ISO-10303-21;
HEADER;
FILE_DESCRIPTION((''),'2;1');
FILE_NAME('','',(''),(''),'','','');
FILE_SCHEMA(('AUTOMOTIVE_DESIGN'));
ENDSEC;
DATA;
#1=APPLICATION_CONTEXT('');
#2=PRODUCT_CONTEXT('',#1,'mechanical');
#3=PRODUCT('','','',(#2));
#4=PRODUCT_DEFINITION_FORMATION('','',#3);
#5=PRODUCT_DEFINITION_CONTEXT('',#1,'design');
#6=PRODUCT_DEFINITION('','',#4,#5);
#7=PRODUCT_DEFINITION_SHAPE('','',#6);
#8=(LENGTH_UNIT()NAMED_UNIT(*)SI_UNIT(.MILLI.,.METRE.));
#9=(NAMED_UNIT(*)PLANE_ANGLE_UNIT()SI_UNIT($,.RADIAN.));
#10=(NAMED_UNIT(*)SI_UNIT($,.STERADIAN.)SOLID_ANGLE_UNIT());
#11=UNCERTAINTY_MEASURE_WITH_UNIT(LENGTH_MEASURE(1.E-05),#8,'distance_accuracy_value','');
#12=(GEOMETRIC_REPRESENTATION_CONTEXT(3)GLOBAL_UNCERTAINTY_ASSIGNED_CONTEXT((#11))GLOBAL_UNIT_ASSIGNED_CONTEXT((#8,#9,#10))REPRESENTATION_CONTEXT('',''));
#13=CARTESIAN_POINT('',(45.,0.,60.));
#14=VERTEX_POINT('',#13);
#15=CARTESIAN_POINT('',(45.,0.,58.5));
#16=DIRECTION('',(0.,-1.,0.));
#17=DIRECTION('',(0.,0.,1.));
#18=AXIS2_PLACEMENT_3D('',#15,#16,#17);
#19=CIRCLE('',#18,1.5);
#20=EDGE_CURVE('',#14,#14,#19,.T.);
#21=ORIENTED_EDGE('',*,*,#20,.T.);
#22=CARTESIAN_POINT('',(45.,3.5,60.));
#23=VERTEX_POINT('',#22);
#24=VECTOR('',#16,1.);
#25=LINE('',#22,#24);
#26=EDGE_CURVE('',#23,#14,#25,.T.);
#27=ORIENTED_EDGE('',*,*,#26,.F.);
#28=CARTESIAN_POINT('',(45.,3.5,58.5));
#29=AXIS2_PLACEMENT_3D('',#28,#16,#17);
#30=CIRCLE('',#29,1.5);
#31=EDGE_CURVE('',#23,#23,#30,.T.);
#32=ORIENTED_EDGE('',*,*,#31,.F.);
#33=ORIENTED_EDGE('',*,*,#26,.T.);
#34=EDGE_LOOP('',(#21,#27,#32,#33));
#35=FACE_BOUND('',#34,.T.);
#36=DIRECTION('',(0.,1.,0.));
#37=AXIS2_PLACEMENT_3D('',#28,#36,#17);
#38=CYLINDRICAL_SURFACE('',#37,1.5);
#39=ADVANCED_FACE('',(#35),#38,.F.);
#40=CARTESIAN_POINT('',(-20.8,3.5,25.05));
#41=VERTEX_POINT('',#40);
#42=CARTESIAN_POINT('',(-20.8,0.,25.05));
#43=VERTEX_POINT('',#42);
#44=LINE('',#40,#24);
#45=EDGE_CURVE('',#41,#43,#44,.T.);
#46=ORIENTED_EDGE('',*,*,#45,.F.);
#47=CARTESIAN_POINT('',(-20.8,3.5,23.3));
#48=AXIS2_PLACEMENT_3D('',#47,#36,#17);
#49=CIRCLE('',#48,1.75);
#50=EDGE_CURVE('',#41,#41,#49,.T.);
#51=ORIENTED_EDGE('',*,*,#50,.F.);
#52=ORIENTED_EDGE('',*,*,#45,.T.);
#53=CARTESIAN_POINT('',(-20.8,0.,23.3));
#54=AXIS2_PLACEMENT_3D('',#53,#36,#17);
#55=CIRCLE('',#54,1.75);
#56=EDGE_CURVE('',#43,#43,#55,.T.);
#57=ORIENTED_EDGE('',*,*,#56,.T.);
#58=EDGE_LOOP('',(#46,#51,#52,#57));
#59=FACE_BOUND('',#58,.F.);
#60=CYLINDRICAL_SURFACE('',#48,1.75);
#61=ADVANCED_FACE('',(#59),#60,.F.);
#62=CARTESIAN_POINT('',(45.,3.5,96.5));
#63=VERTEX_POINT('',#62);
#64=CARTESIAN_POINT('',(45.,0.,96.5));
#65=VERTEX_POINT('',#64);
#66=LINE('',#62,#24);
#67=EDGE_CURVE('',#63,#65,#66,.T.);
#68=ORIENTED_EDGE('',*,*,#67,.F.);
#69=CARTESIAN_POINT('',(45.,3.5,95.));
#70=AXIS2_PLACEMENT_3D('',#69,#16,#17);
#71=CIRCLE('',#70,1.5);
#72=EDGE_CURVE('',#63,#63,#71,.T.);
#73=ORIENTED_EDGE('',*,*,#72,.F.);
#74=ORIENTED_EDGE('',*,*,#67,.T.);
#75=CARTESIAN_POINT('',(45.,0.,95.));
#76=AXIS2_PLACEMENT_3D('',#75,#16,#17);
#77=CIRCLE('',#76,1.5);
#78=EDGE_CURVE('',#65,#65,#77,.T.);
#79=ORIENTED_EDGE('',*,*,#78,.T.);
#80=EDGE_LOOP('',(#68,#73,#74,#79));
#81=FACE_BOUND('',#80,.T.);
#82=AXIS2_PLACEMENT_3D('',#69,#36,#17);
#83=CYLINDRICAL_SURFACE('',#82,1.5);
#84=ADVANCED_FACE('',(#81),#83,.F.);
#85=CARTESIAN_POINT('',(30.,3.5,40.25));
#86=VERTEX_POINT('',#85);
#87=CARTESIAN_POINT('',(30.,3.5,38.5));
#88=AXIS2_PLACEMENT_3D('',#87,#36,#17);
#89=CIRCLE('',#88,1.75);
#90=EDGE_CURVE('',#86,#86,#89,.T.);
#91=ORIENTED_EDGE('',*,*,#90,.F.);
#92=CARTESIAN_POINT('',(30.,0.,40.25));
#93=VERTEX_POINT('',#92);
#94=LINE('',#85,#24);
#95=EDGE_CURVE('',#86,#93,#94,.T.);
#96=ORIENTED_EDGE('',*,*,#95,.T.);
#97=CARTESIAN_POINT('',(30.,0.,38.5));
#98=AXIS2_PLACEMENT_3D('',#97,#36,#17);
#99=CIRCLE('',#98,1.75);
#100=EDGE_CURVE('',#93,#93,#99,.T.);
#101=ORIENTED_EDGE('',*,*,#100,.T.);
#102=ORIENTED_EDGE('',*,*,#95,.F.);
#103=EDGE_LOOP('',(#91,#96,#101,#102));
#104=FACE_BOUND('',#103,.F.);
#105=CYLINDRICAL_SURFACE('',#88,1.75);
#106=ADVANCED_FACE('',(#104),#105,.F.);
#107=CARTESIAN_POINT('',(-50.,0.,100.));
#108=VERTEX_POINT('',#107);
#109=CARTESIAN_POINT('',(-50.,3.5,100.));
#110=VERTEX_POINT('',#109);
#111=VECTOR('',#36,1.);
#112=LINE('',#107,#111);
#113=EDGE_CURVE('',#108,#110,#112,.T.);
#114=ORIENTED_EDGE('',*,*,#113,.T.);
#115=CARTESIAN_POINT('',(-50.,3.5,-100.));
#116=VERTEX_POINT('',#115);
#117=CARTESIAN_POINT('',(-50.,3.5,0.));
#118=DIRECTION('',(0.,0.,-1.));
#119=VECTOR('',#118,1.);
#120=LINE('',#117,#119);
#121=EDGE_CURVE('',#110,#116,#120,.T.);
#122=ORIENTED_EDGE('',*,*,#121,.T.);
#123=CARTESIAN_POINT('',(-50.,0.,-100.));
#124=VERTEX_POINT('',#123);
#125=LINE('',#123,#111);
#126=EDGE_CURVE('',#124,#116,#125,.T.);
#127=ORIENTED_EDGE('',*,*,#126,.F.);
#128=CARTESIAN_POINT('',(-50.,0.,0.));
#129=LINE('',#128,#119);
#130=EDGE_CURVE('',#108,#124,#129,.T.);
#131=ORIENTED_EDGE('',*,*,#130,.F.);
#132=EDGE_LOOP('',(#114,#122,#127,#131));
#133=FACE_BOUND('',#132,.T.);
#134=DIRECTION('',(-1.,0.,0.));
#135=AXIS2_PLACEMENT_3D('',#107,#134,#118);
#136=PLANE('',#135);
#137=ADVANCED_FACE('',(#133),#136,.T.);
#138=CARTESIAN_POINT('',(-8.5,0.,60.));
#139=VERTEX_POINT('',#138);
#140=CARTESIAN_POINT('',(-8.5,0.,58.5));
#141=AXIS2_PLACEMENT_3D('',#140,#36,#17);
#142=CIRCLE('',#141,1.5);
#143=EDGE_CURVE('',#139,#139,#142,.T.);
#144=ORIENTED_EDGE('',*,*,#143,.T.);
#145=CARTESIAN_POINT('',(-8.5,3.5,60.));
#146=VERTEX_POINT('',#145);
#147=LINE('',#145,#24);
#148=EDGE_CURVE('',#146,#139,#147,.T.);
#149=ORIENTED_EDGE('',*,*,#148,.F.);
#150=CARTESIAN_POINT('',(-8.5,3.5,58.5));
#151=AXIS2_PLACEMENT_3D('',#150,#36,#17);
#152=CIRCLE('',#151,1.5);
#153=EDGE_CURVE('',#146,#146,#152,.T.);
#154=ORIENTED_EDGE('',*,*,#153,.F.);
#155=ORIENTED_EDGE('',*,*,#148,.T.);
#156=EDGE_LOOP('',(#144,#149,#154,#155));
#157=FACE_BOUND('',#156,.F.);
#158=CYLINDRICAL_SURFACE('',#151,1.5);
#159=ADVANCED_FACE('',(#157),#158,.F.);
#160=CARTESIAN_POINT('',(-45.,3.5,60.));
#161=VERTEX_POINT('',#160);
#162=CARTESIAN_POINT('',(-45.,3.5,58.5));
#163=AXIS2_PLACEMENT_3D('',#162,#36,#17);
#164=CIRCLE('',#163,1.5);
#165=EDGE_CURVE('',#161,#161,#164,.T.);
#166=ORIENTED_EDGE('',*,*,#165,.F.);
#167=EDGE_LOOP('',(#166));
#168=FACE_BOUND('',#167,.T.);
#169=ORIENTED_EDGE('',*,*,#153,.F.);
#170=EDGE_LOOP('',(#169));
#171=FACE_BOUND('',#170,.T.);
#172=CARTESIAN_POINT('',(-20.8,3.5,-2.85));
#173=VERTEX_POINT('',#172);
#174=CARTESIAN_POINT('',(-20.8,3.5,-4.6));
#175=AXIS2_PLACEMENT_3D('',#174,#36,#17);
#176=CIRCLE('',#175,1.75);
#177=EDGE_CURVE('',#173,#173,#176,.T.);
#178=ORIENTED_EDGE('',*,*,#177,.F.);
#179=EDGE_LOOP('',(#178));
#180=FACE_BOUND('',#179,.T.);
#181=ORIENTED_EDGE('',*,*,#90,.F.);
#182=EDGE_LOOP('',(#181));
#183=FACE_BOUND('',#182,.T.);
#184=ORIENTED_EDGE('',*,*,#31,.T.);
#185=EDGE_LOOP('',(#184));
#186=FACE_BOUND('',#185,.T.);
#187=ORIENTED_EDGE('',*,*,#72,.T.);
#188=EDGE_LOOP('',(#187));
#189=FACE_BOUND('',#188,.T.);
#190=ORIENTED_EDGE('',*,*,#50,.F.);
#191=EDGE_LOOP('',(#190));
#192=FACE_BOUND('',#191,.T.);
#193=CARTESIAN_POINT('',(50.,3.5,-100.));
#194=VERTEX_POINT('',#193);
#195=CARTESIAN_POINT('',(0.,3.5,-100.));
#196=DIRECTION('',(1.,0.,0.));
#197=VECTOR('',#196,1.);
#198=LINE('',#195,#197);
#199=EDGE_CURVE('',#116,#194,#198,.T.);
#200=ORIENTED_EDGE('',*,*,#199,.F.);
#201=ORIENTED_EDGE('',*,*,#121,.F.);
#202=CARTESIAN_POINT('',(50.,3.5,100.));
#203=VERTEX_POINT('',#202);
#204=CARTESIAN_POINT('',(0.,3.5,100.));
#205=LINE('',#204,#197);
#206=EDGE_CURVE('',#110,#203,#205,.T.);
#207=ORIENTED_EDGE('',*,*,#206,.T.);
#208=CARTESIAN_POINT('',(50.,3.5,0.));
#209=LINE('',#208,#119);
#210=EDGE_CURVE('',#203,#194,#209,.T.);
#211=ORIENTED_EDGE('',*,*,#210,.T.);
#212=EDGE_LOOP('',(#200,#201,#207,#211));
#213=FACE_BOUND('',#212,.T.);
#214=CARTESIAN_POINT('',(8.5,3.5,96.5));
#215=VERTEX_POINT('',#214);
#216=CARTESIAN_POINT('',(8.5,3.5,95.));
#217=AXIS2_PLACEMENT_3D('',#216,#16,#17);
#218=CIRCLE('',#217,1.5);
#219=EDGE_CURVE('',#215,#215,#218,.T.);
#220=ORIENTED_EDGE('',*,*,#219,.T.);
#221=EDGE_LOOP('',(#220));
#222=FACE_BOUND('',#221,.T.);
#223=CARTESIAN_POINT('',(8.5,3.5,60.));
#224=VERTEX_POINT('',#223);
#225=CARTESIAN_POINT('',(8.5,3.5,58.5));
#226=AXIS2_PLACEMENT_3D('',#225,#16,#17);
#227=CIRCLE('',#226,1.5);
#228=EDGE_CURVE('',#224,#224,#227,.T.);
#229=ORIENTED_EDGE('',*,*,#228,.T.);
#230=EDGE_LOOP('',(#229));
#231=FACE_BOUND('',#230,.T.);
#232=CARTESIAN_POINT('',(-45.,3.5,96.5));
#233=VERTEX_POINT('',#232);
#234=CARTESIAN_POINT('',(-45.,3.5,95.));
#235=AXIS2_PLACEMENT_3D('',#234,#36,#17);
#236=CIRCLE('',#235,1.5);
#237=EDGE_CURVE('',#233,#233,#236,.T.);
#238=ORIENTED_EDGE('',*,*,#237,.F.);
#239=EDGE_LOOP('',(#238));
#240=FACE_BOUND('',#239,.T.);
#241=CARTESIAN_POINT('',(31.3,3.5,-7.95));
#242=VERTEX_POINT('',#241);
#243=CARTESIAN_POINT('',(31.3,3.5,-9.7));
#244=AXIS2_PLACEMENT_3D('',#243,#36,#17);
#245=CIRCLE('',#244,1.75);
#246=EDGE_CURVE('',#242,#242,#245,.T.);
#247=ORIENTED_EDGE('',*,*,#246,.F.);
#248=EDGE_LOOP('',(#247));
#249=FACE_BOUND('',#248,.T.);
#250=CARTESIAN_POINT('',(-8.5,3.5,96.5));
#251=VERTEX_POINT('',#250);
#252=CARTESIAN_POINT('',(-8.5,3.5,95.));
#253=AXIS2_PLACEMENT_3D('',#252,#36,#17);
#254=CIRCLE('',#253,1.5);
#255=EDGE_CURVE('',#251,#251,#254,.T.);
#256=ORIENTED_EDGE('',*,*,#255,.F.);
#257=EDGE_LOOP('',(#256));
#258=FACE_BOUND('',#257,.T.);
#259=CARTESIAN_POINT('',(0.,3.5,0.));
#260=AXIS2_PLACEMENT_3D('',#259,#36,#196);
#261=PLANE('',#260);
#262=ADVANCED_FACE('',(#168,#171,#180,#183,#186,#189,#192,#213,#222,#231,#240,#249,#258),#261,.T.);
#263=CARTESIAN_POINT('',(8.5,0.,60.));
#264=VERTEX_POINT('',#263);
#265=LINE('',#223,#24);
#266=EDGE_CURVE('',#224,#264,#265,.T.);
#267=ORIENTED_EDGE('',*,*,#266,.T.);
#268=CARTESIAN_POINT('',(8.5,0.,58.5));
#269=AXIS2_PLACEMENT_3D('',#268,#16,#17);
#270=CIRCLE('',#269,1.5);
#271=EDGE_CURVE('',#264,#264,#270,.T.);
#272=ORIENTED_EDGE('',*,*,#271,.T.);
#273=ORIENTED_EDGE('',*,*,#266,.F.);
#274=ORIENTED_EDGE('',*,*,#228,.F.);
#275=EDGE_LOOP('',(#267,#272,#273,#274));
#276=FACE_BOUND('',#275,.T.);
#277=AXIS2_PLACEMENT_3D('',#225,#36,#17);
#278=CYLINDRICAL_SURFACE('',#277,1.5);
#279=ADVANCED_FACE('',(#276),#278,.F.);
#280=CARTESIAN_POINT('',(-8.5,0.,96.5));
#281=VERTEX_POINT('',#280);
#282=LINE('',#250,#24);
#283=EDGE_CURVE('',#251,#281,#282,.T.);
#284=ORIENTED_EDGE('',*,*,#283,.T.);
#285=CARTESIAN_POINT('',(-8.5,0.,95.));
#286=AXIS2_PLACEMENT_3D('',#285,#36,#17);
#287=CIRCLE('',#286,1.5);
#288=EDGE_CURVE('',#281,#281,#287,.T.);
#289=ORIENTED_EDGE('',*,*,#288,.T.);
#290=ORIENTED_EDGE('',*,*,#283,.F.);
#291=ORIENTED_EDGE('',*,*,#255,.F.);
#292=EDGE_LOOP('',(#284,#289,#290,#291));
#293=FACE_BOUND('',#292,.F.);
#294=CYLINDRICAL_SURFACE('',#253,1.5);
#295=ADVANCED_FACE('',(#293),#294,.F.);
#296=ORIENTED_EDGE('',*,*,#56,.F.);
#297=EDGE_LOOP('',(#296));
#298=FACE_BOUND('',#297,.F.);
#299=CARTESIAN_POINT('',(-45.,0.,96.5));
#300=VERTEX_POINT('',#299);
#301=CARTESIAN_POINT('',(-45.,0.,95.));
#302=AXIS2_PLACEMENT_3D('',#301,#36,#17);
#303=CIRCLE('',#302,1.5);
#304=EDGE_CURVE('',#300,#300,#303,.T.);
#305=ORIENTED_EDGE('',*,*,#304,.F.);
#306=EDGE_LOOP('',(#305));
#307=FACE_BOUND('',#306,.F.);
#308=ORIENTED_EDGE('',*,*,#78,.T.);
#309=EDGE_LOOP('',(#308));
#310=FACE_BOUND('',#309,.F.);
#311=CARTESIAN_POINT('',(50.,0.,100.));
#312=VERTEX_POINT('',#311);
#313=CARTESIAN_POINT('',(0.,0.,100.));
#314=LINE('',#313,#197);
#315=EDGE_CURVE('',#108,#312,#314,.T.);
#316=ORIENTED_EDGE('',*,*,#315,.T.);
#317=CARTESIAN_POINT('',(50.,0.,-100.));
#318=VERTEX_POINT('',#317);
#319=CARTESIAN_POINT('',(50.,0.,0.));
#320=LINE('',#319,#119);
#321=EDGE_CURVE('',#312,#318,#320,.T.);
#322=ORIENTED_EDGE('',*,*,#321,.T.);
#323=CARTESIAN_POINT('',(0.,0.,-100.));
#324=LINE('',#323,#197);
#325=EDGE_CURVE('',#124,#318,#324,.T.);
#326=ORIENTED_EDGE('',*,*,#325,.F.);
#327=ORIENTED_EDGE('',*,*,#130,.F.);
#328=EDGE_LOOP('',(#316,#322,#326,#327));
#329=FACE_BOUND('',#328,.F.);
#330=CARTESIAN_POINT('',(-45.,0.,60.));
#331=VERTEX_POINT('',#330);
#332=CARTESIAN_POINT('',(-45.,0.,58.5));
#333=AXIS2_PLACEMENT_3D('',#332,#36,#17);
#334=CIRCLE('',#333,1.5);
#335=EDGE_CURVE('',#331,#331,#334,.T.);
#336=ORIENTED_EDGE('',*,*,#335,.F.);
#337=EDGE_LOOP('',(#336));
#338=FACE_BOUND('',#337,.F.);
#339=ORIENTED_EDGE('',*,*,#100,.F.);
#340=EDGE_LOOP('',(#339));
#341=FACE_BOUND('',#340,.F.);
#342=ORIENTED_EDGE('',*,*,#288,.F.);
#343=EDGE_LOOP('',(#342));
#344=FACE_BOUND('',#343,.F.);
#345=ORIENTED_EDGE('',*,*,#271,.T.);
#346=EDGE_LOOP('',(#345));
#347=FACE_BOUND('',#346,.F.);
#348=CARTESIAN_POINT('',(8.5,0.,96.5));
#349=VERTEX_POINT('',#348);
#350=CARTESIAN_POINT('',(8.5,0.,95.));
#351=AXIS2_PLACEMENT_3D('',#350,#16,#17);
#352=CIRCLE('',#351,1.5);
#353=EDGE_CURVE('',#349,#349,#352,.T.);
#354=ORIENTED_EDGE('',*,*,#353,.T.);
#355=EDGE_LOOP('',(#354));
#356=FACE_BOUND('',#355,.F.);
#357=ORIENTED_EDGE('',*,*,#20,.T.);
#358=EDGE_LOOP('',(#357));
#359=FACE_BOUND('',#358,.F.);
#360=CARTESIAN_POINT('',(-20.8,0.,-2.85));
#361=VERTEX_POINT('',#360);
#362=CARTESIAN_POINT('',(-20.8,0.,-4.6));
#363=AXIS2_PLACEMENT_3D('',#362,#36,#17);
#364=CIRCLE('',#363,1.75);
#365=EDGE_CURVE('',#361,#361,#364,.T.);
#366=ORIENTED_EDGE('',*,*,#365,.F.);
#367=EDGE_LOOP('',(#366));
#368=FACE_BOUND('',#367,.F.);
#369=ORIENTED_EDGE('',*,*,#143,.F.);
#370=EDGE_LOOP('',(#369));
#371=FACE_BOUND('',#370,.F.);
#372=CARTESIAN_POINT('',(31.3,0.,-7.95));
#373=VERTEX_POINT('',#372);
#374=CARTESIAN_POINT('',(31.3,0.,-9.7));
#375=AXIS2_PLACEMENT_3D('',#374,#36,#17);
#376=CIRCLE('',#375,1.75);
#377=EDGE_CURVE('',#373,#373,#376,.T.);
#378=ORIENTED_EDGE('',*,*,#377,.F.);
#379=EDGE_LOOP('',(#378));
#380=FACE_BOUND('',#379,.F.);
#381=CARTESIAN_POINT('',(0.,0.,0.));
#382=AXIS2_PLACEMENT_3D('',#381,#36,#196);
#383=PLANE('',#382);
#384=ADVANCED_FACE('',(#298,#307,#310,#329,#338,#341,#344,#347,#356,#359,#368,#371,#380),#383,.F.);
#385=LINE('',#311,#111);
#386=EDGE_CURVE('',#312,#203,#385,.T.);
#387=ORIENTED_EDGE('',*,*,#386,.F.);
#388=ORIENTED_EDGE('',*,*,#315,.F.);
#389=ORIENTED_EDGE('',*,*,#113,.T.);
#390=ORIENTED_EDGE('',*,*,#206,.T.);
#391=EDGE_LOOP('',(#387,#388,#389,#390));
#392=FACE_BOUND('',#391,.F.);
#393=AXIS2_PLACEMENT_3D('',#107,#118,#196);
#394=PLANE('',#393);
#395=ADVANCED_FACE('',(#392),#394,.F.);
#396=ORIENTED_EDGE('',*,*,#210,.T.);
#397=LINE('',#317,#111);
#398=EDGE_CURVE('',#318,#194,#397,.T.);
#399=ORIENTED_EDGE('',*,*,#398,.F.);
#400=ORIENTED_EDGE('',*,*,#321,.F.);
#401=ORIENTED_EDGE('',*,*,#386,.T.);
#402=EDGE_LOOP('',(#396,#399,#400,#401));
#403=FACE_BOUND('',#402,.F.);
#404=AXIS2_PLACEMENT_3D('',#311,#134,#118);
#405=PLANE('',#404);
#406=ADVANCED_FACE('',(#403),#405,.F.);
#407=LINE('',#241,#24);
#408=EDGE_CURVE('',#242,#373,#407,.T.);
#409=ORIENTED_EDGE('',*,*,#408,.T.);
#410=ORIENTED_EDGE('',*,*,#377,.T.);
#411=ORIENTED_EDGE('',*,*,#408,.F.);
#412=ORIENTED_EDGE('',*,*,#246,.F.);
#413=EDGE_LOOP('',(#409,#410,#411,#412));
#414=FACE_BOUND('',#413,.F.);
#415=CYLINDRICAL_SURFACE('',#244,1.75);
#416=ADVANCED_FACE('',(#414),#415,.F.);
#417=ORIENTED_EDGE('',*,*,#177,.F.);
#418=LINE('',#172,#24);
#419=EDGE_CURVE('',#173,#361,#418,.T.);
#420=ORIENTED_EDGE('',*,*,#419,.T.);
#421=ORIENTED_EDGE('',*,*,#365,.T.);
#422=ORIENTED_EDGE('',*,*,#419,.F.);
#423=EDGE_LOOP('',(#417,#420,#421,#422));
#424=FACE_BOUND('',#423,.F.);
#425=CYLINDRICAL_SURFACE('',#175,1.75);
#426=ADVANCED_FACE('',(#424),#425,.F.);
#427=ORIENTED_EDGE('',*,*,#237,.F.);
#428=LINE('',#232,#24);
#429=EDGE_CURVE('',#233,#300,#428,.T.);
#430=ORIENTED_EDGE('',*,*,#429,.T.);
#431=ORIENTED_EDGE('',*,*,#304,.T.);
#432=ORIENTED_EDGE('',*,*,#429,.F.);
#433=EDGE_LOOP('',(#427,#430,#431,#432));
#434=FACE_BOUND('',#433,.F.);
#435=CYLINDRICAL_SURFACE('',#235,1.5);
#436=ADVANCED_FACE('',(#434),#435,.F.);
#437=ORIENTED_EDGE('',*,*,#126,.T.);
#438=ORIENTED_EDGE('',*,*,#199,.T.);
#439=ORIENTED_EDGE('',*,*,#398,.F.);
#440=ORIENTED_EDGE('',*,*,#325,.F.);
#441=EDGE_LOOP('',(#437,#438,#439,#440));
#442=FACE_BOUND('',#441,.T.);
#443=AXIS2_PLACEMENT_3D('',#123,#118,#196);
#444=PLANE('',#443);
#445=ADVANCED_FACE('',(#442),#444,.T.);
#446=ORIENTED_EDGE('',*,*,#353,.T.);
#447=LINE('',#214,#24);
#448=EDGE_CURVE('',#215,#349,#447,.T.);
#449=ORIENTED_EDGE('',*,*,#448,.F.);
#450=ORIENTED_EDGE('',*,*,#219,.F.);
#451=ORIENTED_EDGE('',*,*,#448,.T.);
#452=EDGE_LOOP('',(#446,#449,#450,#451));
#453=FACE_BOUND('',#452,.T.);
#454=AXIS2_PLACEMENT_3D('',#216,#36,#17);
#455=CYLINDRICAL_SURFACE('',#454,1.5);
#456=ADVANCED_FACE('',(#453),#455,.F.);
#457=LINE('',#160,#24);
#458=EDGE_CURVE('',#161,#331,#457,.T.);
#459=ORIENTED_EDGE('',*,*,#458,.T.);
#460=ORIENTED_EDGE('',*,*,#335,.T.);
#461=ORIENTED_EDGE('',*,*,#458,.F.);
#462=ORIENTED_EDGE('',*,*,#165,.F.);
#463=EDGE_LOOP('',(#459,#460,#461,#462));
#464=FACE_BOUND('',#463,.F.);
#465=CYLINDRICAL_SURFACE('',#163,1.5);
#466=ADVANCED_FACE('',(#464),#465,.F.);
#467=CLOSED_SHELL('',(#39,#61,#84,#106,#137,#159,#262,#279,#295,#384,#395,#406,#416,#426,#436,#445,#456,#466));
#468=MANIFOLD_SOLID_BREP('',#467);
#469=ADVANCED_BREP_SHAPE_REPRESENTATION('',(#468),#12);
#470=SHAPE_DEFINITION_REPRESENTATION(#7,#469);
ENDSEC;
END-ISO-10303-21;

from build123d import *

# Parameters (mm, degrees)
SKETCH1_W           = 100
SKETCH1_H           = 200
BOSS_EXTRUDE1_DEPTH = 3.5
CUT_EXTRUDE9_REACH  = 113.858
SKETCH4_R           = 1.75
CUT_EXTRUDE10_REACH = 113.858
SKETCH2_R           = 1.5


with BuildPart() as part:
    # Sketch1 → Boss-Extrude1 (new body)
    with BuildSketch(Plane(origin=(0, 0, 0), x_dir=(1, 0, 0), z_dir=(0, 1, 0))):
        Rectangle(SKETCH1_W, SKETCH1_H)
    extrude(amount=BOSS_EXTRUDE1_DEPTH)

    # Sketch4 → Cut-Extrude9 (cut, up to next)
    with BuildSketch(Plane(origin=(0, 3.5, 0), x_dir=(1, 0, 0), z_dir=(0, 1, 0)), mode=Mode.PRIVATE) as cut_extrude9_sk1:
        with Locations(Location((30, -38.5, 0), (0, 0, 270))):
            Circle(SKETCH4_R)
    cut_extrude9_tool1 = extrude(cut_extrude9_sk1.sketch, amount=-CUT_EXTRUDE9_REACH, mode=Mode.PRIVATE) & part.part
    # Sketch4 → Cut-Extrude9 (cut, up to next)
    with BuildSketch(Plane(origin=(0, 3.5, 0), x_dir=(1, 0, 0), z_dir=(0, 1, 0)), mode=Mode.PRIVATE) as cut_extrude9_sk2:
        with Locations(Location((-20.8, -23.3, 0), (0, 0, 270))):
            Circle(SKETCH4_R)
    cut_extrude9_tool2 = extrude(cut_extrude9_sk2.sketch, amount=-CUT_EXTRUDE9_REACH, mode=Mode.PRIVATE) & part.part
    # Sketch4 → Cut-Extrude9 (cut, up to next)
    with BuildSketch(Plane(origin=(0, 3.5, 0), x_dir=(1, 0, 0), z_dir=(0, 1, 0)), mode=Mode.PRIVATE) as cut_extrude9_sk3:
        with Locations(Location((-20.8, 4.6, 0), (0, 0, 270))):
            Circle(SKETCH4_R)
    cut_extrude9_tool3 = extrude(cut_extrude9_sk3.sketch, amount=-CUT_EXTRUDE9_REACH, mode=Mode.PRIVATE) & part.part
    # Sketch4 → Cut-Extrude9 (cut, up to next)
    with BuildSketch(Plane(origin=(0, 3.5, 0), x_dir=(1, 0, 0), z_dir=(0, 1, 0)), mode=Mode.PRIVATE) as cut_extrude9_sk4:
        with Locations(Location((31.3, 9.7, 0), (0, 0, 270))):
            Circle(SKETCH4_R)
    cut_extrude9_tool4 = extrude(cut_extrude9_sk4.sketch, amount=-CUT_EXTRUDE9_REACH, mode=Mode.PRIVATE) & part.part
    add(cut_extrude9_tool1.solids().sort_by_distance((30, 3.5, 38.5))[0], mode=Mode.SUBTRACT)
    add(cut_extrude9_tool2.solids().sort_by_distance((-20.8, 3.5, 23.3))[0], mode=Mode.SUBTRACT)
    add(cut_extrude9_tool3.solids().sort_by_distance((-20.8, 3.5, -4.6))[0], mode=Mode.SUBTRACT)
    add(cut_extrude9_tool4.solids().sort_by_distance((31.3, 3.5, -9.7))[0], mode=Mode.SUBTRACT)

    # Sketch2 → Cut-Extrude10 (cut, up to next)
    with BuildSketch(Plane(origin=(0, 3.5, 0), x_dir=(1, 0, 0), z_dir=(0, 1, 0)), mode=Mode.PRIVATE) as cut_extrude10_sk1:
        with Locations(Location((-45, -58.5, 0), (0, 0, 270))):
            Circle(SKETCH2_R)
    cut_extrude10_tool1 = extrude(cut_extrude10_sk1.sketch, amount=-CUT_EXTRUDE10_REACH, mode=Mode.PRIVATE) & part.part
    # Sketch2 → Cut-Extrude10 (cut, up to next)
    with BuildSketch(Plane(origin=(0, 3.5, 0), x_dir=(1, 0, 0), z_dir=(0, 1, 0)), mode=Mode.PRIVATE) as cut_extrude10_sk2:
        with Locations(Location((-45, -95, 0), (0, 0, 270))):
            Circle(SKETCH2_R)
    cut_extrude10_tool2 = extrude(cut_extrude10_sk2.sketch, amount=-CUT_EXTRUDE10_REACH, mode=Mode.PRIVATE) & part.part
    # Sketch2 → Cut-Extrude10 (cut, up to next)
    with BuildSketch(Plane(origin=(0, 3.5, 0), x_dir=(1, 0, 0), z_dir=(0, 1, 0)), mode=Mode.PRIVATE) as cut_extrude10_sk3:
        with Locations(Location((-8.5, -58.5, 0), (0, 0, 270))):
            Circle(SKETCH2_R)
    cut_extrude10_tool3 = extrude(cut_extrude10_sk3.sketch, amount=-CUT_EXTRUDE10_REACH, mode=Mode.PRIVATE) & part.part
    # Sketch2 → Cut-Extrude10 (cut, up to next)
    with BuildSketch(Plane(origin=(0, 3.5, 0), x_dir=(1, 0, 0), z_dir=(0, 1, 0)), mode=Mode.PRIVATE) as cut_extrude10_sk4:
        with Locations(Location((-8.5, -95, 0), (0, 0, 270))):
            Circle(SKETCH2_R)
    cut_extrude10_tool4 = extrude(cut_extrude10_sk4.sketch, amount=-CUT_EXTRUDE10_REACH, mode=Mode.PRIVATE) & part.part
    cut_extrude10_1 = cut_extrude10_tool1.solids().sort_by_distance((-45, 3.5, 58.5))[0]
    add(cut_extrude10_1, mode=Mode.SUBTRACT)
    cut_extrude10_2 = cut_extrude10_tool2.solids().sort_by_distance((-45, 3.5, 95))[0]
    add(cut_extrude10_2, mode=Mode.SUBTRACT)
    cut_extrude10_3 = cut_extrude10_tool3.solids().sort_by_distance((-8.5, 3.5, 58.5))[0]
    add(cut_extrude10_3, mode=Mode.SUBTRACT)
    cut_extrude10_4 = cut_extrude10_tool4.solids().sort_by_distance((-8.5, 3.5, 95))[0]
    add(cut_extrude10_4, mode=Mode.SUBTRACT)
    cut_extrude10 = cut_extrude10_1 + cut_extrude10_2 + cut_extrude10_3 + cut_extrude10_4  # Cut-Extrude10 as one shape, for the pattern or mirror that repeats it

    # Mirror2: Cut-Extrude10 across plane
    add(cut_extrude10.mirror(Plane(origin=(0, 0, 0), x_dir=(0, 0, 1), z_dir=(1, 0, 0))), mode=Mode.SUBTRACT)


solid = part.part
